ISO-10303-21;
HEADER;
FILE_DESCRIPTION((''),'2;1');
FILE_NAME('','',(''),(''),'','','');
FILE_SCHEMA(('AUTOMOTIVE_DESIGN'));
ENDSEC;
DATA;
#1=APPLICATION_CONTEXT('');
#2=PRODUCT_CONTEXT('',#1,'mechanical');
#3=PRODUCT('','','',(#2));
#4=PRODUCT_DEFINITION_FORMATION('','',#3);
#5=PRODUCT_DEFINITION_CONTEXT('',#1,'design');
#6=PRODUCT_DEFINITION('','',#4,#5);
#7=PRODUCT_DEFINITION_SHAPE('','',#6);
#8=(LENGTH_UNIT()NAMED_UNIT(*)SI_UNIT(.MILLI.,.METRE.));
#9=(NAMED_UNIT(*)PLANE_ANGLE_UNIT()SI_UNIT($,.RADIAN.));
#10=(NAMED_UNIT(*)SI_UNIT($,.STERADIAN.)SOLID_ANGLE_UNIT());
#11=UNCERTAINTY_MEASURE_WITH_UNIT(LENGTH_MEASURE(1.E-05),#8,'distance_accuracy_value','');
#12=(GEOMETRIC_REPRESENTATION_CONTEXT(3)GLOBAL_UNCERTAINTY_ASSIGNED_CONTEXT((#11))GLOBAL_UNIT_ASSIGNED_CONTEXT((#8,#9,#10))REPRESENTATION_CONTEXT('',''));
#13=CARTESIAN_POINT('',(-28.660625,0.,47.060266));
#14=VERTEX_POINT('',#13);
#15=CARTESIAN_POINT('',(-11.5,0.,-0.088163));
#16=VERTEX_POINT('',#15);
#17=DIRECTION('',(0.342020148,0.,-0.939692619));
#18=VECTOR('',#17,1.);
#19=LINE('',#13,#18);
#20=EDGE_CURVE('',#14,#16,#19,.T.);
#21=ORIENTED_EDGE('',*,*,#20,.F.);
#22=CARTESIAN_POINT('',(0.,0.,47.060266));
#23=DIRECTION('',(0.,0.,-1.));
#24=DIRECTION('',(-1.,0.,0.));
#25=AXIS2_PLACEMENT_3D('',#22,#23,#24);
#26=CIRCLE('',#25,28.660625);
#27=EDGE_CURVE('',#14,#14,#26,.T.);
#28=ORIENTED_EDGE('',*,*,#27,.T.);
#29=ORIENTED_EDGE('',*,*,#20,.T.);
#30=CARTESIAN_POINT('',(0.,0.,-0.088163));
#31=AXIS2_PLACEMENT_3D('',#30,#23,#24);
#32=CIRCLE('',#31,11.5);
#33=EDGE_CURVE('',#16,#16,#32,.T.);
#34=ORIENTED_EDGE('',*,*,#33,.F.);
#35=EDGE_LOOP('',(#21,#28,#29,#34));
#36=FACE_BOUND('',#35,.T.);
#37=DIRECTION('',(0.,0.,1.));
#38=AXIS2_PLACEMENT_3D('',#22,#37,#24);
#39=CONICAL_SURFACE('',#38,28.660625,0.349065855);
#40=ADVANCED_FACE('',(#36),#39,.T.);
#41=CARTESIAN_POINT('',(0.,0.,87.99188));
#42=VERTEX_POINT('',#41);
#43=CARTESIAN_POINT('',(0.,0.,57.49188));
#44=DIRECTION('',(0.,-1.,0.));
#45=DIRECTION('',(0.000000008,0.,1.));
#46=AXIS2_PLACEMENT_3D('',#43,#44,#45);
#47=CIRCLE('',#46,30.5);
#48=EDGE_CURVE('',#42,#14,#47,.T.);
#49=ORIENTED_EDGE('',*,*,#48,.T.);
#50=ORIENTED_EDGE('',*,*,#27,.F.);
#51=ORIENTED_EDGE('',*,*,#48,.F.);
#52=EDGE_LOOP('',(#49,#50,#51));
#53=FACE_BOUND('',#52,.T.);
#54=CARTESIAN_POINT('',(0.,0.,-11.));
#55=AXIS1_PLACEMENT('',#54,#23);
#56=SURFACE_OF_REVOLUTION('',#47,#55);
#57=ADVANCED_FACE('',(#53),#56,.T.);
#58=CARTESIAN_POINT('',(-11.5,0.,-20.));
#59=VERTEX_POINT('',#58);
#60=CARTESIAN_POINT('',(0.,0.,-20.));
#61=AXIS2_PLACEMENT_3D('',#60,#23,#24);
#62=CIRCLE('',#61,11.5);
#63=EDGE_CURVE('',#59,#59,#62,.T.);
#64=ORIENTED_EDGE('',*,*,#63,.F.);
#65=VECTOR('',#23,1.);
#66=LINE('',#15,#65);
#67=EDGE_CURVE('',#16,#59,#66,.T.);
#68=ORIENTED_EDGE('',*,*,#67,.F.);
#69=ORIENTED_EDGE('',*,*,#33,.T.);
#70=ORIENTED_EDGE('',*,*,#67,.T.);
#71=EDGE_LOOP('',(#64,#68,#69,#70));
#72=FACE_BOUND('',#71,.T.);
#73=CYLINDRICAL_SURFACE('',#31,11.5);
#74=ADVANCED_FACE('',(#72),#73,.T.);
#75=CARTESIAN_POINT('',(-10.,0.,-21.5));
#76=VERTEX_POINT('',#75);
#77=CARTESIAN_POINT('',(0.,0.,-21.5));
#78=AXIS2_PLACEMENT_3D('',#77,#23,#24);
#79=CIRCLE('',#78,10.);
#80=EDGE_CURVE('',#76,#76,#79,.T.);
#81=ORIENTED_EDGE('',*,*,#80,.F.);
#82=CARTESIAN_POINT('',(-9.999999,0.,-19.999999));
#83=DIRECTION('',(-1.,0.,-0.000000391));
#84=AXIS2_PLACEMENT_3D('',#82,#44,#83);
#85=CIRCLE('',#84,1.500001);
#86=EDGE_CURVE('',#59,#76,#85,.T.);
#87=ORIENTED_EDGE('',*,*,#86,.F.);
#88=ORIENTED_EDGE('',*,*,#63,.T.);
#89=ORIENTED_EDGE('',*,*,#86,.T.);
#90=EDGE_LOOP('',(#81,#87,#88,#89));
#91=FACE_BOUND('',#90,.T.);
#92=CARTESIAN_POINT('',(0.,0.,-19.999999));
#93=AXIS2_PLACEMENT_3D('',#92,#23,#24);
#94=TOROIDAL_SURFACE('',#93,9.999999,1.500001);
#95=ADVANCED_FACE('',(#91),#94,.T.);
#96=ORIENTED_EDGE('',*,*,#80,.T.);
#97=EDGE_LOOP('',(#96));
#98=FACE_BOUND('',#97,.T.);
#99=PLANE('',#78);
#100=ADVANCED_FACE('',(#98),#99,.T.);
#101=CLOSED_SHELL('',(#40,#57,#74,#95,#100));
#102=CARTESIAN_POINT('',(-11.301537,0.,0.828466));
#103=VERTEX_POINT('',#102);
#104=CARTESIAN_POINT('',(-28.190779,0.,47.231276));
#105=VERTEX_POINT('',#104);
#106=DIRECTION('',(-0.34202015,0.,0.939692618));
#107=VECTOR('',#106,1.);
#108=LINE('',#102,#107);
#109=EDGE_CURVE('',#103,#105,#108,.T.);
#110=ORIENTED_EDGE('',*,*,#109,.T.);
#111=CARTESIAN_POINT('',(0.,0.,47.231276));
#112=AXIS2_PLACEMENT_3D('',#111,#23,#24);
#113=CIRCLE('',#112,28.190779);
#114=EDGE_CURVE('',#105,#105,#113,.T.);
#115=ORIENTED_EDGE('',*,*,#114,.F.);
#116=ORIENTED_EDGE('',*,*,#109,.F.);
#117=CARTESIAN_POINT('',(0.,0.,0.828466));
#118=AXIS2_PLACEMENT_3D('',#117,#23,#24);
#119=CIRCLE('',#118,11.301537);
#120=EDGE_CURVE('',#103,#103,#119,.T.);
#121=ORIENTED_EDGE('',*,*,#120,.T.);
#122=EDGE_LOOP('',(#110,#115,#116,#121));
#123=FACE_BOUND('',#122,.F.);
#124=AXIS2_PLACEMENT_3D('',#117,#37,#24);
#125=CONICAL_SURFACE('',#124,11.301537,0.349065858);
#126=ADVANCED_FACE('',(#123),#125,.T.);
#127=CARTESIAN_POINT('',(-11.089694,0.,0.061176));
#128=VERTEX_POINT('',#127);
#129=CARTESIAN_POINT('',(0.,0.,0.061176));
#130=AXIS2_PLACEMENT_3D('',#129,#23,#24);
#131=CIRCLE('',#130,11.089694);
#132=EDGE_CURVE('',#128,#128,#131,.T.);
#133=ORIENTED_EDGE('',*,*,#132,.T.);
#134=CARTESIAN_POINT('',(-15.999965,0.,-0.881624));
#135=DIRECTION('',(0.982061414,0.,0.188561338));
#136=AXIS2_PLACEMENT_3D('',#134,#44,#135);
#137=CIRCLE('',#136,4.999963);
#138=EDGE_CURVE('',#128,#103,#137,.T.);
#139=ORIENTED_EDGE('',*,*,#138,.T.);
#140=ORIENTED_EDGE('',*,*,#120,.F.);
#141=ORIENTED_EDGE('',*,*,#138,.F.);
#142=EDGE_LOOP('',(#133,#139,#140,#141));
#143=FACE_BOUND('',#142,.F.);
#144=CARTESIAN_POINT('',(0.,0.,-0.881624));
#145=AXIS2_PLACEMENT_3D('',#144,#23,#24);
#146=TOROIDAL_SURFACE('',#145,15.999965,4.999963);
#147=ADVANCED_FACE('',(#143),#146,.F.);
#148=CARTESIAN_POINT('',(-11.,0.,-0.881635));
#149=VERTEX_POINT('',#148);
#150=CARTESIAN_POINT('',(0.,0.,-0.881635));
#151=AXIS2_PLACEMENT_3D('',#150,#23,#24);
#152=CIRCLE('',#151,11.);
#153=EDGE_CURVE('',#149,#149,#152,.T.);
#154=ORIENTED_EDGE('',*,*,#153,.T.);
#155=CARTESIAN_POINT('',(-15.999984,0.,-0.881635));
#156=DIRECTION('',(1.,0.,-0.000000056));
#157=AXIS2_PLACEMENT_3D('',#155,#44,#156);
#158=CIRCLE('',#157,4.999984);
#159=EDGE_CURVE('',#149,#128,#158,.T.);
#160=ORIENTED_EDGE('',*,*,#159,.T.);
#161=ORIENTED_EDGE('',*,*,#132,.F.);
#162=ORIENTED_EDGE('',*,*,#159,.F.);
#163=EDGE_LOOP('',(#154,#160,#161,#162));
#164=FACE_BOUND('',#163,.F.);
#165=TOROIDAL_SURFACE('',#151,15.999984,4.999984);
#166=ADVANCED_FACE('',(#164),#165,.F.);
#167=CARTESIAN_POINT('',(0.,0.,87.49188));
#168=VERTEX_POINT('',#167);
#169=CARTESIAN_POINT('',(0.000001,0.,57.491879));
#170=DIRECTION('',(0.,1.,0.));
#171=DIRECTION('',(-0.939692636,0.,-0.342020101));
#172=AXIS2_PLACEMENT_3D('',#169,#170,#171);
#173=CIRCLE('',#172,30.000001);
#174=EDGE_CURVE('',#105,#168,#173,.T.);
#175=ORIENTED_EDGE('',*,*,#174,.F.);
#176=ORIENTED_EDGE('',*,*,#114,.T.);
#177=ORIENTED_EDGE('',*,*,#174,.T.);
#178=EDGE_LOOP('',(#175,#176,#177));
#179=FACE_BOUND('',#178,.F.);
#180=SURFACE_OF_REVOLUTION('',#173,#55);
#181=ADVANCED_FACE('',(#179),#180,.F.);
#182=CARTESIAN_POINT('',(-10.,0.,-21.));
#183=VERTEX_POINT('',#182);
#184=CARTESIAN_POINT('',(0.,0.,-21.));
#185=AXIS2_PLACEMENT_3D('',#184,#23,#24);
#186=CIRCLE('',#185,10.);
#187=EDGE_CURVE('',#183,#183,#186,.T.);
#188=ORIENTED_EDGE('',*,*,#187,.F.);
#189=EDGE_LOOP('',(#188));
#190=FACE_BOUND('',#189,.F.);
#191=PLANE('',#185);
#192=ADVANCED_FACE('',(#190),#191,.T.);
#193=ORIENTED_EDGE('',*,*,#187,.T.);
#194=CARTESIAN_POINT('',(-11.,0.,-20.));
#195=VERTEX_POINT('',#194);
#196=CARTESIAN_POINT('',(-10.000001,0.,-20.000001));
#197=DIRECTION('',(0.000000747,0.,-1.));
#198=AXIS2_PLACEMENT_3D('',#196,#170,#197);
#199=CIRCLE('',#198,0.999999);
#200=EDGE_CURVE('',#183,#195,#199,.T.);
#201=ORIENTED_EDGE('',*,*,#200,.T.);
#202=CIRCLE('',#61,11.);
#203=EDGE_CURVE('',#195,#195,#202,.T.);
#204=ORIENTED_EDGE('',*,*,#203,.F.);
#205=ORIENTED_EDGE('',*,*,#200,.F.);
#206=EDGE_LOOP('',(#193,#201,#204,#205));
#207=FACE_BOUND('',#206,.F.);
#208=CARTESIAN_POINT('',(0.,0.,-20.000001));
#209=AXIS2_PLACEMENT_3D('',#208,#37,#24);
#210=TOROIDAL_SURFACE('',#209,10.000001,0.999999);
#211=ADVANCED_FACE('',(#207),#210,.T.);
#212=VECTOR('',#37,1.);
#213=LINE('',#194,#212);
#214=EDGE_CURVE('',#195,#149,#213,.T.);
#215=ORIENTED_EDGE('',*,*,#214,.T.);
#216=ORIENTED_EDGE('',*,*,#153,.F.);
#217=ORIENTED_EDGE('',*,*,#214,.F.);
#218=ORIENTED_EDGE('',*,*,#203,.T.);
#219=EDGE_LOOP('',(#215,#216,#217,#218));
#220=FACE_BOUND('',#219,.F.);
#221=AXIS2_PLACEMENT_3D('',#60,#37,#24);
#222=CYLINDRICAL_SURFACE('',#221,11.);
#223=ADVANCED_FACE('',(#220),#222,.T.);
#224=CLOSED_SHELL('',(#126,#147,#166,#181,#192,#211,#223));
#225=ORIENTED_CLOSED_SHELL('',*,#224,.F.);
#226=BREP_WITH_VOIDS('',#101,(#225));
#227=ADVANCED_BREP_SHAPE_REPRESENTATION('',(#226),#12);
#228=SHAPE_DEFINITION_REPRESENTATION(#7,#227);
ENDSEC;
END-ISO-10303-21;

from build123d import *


with BuildPart() as f1:
    # F0 (on Front) → F1 (revolve)
    with BuildSketch(Plane.XZ):
        with BuildLine():
            ThreePointArc((-28.190779, 47.231276), (-24.574561, 74.699173), (0, 87.49188))
            Line((0, 87.49188), (0, 87.99188))
            ThreePointArc((0, 87.99188), (-24.984137, 74.985962), (-28.660625, 47.060266))
            Line((-28.660625, 47.060266), (-28.190779, 47.231276))
        make_face()
        with BuildLine():
            Line((-11.301537, 0.828466), (-28.190779, 47.231276))
            Line((-28.190779, 47.231276), (-28.660625, 47.060266))
            Line((-28.660625, 47.060266), (-11.5, -0.088163))
            Line((-11.5, -0.088163), (-11.089694, 0.061176))
            ThreePointArc((-11.089694, 0.061176), (-11.180322, 0.449043), (-11.301537, 0.828466))
        make_face()
        with BuildLine():
            ThreePointArc((-11, -0.881635), (-11.022474, -0.408101), (-11.089694, 0.061176))
            Line((-11.089694, 0.061176), (-11.5, -0.088163))
            Line((-11.5, -0.088163), (-11.5, -20))
            ThreePointArc((-11.5, -20), (-11.06066, -21.06066), (-10, -21.5))
            Line((-10, -21.5), (0, -21.5))
            Line((0, -21.5), (0, -21))
            Line((0, -21), (-10, -21))
            ThreePointArc((-10, -21), (-10.707107, -20.707107), (-11, -20))
            Line((-11, -20), (-11, -0.881635))
        make_face()
    revolve(axis=Axis((0, 0, -11), (0, 0, -1)))


solid = f1.part
